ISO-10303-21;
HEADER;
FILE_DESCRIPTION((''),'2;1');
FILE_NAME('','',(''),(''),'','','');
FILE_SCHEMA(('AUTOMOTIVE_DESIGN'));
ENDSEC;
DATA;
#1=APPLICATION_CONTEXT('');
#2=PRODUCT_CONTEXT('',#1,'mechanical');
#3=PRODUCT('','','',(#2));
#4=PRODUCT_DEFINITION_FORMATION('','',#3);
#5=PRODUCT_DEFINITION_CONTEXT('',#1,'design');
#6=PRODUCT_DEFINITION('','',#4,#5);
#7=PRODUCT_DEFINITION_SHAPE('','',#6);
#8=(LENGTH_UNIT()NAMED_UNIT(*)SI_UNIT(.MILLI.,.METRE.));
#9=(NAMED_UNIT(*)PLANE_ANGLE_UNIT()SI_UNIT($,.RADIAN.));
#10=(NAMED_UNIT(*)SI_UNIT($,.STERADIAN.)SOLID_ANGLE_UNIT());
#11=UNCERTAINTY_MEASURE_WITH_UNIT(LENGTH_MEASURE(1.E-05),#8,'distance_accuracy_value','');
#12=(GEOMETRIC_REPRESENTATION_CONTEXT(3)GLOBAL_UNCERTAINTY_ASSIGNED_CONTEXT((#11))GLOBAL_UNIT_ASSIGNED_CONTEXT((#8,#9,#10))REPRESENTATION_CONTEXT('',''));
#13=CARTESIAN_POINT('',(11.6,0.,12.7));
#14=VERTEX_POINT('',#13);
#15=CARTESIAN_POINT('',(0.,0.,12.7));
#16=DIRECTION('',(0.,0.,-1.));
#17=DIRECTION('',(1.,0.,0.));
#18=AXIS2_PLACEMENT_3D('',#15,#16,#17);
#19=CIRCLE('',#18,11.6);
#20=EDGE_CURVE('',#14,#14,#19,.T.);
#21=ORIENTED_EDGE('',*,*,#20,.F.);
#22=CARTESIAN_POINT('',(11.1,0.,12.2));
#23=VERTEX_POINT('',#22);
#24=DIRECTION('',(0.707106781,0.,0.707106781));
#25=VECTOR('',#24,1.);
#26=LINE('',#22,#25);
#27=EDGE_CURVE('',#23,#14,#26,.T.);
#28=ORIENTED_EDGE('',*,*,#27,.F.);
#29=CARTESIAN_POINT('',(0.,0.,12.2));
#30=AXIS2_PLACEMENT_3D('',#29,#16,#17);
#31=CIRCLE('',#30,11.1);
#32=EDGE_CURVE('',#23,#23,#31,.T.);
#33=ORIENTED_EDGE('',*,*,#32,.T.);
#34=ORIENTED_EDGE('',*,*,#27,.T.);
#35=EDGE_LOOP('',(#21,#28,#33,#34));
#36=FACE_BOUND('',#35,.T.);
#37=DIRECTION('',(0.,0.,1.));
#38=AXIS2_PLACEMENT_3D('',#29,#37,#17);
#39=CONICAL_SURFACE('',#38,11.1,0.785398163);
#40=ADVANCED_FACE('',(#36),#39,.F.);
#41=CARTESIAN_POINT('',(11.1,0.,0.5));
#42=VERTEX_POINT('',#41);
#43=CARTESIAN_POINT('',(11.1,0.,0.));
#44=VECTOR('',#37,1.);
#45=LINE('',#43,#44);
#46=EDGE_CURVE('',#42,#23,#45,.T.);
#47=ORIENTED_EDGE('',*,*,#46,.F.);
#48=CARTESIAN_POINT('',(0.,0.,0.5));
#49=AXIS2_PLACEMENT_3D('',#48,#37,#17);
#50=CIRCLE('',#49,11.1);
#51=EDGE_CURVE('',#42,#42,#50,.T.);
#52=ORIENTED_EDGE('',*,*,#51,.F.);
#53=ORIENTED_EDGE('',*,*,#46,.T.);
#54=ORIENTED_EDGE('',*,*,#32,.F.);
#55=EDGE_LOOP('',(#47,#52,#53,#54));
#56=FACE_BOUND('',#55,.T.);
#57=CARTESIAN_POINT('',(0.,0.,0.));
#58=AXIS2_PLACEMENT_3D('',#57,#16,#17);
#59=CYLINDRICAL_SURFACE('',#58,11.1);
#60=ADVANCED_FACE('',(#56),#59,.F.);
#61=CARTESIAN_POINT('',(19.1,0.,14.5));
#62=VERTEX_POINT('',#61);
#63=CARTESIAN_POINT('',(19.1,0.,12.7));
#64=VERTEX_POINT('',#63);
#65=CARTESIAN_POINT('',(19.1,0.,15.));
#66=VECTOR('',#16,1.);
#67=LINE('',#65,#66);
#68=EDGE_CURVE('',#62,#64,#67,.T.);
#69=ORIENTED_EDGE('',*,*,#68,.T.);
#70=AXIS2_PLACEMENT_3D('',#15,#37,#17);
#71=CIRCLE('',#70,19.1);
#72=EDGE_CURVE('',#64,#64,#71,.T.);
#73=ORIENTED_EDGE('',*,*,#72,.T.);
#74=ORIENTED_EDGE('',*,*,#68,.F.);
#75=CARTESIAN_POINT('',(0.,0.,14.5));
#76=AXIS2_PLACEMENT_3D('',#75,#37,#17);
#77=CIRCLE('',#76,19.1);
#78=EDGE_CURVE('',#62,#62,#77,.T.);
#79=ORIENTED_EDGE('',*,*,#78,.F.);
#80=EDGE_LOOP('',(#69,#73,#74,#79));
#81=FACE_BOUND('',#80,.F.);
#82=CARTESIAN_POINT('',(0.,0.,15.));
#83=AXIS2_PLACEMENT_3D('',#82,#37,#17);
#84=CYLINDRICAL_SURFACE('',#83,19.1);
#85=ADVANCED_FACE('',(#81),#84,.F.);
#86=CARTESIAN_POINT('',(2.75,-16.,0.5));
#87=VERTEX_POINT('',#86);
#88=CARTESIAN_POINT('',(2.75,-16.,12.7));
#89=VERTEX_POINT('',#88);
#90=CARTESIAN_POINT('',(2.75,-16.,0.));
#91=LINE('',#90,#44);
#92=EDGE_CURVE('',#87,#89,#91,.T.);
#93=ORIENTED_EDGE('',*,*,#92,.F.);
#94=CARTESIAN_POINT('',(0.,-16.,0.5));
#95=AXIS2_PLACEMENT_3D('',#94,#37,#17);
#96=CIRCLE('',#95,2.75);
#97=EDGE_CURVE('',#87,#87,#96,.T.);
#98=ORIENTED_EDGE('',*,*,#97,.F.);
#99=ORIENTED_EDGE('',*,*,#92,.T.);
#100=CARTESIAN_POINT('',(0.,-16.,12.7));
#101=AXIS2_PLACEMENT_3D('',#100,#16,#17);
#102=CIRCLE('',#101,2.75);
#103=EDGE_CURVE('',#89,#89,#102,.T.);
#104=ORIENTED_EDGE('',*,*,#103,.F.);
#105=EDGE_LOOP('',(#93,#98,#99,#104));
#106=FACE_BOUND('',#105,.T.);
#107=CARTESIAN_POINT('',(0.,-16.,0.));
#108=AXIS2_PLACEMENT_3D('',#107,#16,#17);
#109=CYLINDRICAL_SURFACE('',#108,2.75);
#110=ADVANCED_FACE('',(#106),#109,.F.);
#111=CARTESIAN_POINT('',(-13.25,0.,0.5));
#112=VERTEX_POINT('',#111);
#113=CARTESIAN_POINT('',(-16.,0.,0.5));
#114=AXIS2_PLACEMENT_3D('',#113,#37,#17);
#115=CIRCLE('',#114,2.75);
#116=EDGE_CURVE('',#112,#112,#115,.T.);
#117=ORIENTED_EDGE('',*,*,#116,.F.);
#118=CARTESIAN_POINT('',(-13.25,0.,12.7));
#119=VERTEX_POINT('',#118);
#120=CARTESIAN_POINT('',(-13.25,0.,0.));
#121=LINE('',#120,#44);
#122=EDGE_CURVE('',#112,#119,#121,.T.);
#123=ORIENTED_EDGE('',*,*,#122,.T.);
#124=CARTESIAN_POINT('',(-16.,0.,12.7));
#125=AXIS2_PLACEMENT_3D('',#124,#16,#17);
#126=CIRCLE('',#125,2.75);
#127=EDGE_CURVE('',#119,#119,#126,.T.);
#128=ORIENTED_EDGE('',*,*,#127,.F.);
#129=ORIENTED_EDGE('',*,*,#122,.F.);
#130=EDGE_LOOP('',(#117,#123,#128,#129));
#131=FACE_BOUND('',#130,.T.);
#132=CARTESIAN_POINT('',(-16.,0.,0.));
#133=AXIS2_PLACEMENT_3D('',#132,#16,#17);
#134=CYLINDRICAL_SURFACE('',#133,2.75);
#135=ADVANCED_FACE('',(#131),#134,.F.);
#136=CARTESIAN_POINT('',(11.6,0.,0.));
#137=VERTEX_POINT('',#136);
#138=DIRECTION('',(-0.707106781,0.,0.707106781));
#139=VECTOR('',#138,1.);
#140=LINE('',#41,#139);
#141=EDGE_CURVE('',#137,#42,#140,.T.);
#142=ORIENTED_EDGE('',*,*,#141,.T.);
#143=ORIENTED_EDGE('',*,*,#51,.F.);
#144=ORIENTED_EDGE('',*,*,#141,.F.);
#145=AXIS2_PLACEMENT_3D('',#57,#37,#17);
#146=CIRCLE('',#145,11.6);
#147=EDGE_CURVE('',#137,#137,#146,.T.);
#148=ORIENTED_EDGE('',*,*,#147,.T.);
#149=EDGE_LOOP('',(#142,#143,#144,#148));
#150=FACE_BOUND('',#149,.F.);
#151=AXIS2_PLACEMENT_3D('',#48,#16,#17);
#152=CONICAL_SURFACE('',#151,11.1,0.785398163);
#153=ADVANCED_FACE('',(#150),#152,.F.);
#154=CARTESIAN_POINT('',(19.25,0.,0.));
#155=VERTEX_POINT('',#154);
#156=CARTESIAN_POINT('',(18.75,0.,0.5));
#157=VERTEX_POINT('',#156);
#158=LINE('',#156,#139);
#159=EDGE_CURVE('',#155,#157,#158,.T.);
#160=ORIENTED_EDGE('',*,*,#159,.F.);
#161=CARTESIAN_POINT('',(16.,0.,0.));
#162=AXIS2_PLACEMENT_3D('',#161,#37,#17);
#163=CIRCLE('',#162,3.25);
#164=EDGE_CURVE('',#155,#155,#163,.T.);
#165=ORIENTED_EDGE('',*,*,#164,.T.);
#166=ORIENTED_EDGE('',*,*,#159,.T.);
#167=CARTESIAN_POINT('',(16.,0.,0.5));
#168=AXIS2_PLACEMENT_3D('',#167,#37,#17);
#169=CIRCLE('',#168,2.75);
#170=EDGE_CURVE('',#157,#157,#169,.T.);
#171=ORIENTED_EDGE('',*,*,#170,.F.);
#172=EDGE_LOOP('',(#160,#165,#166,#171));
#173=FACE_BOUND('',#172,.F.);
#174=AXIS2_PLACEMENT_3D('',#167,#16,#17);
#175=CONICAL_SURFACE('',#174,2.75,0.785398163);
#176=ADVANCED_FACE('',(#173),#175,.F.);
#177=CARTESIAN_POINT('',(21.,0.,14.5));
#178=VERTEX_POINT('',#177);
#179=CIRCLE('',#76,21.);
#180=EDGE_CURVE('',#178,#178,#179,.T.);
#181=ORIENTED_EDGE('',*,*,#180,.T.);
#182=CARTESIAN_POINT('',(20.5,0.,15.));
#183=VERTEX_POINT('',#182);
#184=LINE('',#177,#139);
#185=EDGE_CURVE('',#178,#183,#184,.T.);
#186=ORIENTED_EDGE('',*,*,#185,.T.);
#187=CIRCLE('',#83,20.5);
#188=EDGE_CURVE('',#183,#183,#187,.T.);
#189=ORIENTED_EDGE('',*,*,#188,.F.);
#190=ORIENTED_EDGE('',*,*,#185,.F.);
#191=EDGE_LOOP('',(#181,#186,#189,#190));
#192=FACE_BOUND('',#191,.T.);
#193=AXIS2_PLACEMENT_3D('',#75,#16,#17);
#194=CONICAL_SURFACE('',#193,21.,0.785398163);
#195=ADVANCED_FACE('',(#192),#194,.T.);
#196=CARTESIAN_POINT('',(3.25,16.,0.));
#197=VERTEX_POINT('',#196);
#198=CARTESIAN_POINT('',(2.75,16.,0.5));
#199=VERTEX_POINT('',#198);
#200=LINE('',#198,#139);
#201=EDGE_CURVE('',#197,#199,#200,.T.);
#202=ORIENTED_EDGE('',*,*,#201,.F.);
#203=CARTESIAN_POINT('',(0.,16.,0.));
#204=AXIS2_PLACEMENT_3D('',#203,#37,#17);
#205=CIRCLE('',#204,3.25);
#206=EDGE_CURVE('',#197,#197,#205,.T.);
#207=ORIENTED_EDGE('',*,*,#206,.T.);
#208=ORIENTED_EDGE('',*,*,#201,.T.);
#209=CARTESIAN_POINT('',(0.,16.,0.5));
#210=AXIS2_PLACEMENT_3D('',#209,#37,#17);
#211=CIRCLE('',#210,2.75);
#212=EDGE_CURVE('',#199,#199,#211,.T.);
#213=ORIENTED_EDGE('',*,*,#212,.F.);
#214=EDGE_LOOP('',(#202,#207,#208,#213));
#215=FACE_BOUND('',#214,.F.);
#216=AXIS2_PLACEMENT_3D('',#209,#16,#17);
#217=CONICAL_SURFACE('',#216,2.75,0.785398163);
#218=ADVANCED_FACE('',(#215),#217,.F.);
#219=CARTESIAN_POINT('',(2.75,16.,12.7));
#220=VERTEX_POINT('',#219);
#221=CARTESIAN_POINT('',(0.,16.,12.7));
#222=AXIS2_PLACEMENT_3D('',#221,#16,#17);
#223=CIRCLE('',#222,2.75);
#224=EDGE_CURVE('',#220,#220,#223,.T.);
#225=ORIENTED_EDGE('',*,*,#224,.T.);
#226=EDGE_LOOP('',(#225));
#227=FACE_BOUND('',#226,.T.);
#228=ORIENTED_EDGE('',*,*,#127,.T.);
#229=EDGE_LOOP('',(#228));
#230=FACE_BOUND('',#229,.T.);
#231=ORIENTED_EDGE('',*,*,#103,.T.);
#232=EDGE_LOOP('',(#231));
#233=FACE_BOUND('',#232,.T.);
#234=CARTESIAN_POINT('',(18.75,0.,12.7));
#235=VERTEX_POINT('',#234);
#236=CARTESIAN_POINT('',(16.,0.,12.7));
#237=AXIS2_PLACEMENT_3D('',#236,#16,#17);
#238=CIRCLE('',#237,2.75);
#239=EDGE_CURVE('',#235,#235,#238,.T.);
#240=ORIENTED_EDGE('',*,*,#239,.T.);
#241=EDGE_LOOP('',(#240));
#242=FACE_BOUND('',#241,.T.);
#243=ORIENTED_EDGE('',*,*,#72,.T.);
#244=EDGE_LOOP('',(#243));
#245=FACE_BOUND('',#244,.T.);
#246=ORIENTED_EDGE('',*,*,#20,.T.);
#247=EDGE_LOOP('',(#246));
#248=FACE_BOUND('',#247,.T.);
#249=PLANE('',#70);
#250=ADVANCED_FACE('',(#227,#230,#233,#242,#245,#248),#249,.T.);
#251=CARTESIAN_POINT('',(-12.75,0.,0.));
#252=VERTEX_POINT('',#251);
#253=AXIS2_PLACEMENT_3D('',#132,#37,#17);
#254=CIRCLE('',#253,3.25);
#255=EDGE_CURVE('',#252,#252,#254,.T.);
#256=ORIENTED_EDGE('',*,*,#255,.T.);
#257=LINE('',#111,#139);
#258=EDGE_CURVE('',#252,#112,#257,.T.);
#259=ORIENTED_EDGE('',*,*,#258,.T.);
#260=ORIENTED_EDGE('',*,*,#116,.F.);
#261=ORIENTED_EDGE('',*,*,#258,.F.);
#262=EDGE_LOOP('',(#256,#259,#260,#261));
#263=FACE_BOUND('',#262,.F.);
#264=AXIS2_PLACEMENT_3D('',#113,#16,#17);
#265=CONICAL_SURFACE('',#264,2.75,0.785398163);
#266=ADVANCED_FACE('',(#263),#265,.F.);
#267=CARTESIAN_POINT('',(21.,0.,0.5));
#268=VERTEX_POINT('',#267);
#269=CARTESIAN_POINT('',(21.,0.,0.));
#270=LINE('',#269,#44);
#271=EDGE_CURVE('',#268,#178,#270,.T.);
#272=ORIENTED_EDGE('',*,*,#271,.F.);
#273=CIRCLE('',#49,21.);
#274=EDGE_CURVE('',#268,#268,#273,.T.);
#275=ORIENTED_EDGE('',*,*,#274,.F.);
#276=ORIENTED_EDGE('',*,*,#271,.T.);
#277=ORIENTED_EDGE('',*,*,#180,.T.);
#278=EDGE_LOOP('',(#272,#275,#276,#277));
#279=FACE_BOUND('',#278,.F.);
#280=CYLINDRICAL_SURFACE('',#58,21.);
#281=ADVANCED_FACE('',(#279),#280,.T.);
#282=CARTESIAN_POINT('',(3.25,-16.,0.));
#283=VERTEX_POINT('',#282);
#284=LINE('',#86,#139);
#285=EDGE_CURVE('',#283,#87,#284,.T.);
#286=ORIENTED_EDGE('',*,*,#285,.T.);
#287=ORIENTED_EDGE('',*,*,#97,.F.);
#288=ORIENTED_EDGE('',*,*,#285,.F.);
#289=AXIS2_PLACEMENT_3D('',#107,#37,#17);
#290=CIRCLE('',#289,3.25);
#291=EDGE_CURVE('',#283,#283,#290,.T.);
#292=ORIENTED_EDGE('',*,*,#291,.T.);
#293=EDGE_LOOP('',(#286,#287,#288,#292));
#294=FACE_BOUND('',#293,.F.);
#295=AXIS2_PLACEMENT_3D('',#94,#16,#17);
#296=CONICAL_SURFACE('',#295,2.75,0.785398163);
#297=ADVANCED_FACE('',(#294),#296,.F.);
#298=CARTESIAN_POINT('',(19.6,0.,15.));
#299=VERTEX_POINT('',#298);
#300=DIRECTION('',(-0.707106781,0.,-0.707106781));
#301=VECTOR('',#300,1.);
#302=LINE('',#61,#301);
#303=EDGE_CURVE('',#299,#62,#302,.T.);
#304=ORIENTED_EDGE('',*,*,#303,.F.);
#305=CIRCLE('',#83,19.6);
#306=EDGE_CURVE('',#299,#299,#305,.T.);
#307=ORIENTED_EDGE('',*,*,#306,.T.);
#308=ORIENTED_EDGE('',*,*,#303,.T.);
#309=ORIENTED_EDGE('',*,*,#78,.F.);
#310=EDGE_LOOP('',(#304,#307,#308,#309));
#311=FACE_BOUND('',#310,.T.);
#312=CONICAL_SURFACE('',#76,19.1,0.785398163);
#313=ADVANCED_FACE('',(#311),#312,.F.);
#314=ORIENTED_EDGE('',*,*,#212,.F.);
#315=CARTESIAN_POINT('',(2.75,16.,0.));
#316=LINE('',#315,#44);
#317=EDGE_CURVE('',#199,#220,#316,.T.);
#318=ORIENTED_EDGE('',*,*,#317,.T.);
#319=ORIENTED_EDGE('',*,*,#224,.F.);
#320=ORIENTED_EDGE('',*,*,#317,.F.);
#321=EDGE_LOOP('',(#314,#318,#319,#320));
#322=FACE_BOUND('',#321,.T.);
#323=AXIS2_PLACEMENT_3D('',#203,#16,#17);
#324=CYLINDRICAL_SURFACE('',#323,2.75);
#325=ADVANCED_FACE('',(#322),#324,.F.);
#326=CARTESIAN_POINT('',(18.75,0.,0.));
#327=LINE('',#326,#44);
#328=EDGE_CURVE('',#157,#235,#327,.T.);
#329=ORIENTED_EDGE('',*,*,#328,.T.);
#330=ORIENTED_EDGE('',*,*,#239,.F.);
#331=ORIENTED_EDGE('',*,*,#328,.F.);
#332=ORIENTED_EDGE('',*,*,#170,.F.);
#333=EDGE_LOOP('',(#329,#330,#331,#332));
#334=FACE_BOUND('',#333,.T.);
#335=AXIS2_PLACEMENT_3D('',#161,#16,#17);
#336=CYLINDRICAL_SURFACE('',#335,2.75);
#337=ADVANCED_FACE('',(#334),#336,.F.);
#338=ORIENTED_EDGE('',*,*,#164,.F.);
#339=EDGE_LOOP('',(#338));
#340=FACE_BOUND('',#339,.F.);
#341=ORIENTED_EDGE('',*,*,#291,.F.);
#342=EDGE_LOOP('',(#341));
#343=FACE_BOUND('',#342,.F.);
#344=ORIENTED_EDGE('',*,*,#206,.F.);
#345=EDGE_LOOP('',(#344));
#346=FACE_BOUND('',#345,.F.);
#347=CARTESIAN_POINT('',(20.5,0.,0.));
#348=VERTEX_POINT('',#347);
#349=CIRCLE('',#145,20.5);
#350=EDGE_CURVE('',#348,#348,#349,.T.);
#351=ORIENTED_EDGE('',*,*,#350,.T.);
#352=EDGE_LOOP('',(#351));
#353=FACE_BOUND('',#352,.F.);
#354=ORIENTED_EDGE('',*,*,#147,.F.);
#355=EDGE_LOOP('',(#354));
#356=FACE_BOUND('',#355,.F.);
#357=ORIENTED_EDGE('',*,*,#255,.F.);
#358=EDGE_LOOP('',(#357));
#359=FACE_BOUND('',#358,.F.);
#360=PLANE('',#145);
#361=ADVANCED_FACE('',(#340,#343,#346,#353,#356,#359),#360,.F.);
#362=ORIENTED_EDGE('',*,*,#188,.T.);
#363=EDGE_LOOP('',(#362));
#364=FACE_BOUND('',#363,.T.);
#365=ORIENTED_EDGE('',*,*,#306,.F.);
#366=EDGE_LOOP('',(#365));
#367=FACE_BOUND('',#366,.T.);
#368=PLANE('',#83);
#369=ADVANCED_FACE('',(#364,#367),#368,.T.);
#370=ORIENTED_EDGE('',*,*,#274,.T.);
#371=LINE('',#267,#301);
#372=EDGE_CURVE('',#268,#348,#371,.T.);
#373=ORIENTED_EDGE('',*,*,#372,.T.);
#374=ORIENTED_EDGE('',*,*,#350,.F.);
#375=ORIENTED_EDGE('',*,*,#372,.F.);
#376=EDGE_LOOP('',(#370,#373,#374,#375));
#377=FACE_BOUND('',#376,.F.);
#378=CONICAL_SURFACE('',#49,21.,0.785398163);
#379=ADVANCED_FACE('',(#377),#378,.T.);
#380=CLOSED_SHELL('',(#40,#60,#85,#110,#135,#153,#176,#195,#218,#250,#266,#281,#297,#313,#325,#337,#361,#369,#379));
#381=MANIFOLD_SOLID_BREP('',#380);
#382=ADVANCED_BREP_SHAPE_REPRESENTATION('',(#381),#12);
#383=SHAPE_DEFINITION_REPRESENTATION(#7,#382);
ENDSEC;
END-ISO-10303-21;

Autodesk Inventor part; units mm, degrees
ref_plane "YZ Plane" through (0, 0, 0) normal (1, 0, 0) x (0, 1, 0)
ref_plane "XZ Plane" through (0, 0, 0) normal (0, 1, 0) x (-1, 0, 0)
ref_plane "XY Plane" through (0, 0, 0) normal (0, 0, 1) x (1, 0, 0)
sketch "Sketch1" plane through (0, 0, 0) normal (0, 0, 1) x (1, 0, 0)
  circle A0 centre (0, 0) radius 21
  circle A1 centre (16, 0) radius 2.75
  circle A2 centre (0, 16) radius 2.75
  circle A3 centre (-16, 0) radius 2.75
  circle A4 centre (0, -16) radius 2.75
  circle A5 centre (0, 0) radius 11.1
  dimension "d0" = 42
  dimension "d1" = 5.5
  dimension "d2" = 16
  dimension "d5" = 360
  dimension "d7" = 22.2
extrude "Extrusion1" add sketch "Sketch1" along normal blind 15
sketch "Sketch2" plane through (0, 0, 15) normal (0, 0, 1) x (1, 0, 0)
  circle A0 centre (0, 0) radius 19.1
  dimension "d10" = 38.2
extrude "Extrusion2" cut sketch "Sketch2" against normal blind 2.3
chamfer "Chamfer1" distance 0.5 angle 45 9 edges at (-21, 0, 0) (-21, 0, 15) (-11.1, 0, 0) (-2.75, -16, 0) (-2.75, 16, 0) (13.25, 0, 0) (-18.75, 0, 0) (-11.1, 0, 12.7) (-19.1, 0, 15)
properties part number "spacer nema23" material "PC/ABS Plastic"
